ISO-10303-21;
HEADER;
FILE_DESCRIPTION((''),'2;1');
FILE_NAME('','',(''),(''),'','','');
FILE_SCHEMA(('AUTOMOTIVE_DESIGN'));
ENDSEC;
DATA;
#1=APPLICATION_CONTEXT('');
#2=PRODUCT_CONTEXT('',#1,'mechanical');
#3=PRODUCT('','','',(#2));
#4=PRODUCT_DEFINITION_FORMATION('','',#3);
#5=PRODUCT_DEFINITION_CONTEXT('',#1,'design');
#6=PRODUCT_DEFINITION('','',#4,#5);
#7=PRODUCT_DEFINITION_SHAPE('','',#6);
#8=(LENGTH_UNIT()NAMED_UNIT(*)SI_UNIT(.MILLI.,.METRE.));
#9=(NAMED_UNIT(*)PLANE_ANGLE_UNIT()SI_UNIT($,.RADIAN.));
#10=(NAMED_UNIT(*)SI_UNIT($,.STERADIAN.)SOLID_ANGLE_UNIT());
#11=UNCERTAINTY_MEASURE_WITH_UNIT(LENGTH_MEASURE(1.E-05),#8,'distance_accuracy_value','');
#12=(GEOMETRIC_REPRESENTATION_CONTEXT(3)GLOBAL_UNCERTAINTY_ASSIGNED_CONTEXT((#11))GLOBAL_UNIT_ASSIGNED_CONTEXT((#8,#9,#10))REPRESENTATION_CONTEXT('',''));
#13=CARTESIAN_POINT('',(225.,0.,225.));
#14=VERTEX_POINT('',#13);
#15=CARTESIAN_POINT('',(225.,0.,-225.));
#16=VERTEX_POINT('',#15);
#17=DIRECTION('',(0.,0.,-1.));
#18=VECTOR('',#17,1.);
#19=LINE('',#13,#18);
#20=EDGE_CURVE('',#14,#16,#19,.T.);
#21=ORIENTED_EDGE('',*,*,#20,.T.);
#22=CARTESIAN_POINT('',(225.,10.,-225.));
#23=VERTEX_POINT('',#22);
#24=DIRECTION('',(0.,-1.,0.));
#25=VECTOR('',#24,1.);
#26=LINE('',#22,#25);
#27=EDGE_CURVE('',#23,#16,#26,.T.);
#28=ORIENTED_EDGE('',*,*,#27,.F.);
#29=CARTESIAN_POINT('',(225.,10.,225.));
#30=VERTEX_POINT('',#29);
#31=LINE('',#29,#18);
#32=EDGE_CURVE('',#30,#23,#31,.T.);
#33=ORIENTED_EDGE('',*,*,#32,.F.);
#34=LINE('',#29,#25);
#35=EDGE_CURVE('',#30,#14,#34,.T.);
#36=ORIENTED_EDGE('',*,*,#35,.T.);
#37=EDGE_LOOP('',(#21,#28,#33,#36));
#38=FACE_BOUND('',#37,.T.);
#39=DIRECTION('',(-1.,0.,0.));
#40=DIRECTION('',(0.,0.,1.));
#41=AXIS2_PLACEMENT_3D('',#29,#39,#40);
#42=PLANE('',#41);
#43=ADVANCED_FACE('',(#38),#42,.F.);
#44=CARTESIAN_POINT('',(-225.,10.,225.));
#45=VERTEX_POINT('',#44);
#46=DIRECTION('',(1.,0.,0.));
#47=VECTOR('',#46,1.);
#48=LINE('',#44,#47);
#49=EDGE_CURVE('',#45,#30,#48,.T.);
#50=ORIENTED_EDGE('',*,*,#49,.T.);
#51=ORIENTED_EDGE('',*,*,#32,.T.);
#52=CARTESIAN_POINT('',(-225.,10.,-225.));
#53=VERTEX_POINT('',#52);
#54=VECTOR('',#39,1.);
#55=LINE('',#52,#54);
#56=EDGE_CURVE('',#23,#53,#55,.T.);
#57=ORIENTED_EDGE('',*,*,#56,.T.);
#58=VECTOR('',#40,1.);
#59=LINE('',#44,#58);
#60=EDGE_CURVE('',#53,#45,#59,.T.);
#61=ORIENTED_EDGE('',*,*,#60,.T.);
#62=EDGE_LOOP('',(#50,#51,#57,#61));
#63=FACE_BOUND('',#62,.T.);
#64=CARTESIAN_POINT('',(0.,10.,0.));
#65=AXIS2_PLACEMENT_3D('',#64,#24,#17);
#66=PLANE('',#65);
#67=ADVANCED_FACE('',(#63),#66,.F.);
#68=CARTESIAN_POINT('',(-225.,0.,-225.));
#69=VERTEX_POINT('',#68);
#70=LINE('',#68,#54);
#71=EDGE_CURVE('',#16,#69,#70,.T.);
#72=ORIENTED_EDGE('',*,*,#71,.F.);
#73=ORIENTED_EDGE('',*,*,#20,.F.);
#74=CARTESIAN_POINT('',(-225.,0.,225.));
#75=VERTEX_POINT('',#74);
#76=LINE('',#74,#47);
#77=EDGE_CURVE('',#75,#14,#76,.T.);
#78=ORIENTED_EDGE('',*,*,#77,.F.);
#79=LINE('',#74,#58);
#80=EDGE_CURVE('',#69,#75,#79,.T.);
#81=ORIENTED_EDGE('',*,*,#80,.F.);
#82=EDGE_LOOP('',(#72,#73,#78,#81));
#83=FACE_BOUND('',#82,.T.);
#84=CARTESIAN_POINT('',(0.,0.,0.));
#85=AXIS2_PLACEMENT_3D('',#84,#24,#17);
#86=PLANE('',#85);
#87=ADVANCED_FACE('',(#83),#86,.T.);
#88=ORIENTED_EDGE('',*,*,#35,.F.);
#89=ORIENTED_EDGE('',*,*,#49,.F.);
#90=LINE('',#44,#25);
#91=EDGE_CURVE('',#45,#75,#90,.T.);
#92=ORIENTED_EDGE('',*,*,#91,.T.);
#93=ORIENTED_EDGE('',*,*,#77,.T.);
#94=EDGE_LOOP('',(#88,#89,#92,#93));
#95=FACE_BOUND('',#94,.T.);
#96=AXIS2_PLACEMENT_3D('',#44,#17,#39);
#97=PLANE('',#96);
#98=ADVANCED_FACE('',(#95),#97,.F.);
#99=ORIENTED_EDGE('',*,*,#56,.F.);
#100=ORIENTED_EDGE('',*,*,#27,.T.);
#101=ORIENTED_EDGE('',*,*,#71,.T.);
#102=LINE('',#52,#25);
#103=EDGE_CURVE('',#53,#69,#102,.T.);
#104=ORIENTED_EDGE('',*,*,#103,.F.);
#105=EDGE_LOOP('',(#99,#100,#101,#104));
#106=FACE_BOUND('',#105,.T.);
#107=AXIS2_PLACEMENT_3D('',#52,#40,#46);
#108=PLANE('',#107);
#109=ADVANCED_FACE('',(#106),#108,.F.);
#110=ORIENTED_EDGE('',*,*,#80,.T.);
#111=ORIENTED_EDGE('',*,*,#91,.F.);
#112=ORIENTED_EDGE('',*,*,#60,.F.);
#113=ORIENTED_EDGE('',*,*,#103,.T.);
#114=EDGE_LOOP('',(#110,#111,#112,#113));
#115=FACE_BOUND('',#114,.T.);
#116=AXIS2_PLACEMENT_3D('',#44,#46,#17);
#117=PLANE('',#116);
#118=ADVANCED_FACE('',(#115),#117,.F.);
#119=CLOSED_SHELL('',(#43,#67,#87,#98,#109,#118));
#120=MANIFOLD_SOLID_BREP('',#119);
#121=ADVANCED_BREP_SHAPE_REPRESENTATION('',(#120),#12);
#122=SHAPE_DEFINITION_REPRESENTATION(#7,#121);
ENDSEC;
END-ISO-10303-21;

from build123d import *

# Parameters (mm, degrees)
SKETCH1_W           = 450
SKETCH1_H           = 450
BOSS_EXTRUDE1_DEPTH = 10


with BuildPart() as part:
    # Sketch1 → Boss-Extrude1 (new body)
    with BuildSketch(Plane(origin=(0, 0, 0), x_dir=(1, 0, 0), z_dir=(0, 1, 0))):
        Rectangle(SKETCH1_W, SKETCH1_H)
    extrude(amount=BOSS_EXTRUDE1_DEPTH)


solid = part.part
